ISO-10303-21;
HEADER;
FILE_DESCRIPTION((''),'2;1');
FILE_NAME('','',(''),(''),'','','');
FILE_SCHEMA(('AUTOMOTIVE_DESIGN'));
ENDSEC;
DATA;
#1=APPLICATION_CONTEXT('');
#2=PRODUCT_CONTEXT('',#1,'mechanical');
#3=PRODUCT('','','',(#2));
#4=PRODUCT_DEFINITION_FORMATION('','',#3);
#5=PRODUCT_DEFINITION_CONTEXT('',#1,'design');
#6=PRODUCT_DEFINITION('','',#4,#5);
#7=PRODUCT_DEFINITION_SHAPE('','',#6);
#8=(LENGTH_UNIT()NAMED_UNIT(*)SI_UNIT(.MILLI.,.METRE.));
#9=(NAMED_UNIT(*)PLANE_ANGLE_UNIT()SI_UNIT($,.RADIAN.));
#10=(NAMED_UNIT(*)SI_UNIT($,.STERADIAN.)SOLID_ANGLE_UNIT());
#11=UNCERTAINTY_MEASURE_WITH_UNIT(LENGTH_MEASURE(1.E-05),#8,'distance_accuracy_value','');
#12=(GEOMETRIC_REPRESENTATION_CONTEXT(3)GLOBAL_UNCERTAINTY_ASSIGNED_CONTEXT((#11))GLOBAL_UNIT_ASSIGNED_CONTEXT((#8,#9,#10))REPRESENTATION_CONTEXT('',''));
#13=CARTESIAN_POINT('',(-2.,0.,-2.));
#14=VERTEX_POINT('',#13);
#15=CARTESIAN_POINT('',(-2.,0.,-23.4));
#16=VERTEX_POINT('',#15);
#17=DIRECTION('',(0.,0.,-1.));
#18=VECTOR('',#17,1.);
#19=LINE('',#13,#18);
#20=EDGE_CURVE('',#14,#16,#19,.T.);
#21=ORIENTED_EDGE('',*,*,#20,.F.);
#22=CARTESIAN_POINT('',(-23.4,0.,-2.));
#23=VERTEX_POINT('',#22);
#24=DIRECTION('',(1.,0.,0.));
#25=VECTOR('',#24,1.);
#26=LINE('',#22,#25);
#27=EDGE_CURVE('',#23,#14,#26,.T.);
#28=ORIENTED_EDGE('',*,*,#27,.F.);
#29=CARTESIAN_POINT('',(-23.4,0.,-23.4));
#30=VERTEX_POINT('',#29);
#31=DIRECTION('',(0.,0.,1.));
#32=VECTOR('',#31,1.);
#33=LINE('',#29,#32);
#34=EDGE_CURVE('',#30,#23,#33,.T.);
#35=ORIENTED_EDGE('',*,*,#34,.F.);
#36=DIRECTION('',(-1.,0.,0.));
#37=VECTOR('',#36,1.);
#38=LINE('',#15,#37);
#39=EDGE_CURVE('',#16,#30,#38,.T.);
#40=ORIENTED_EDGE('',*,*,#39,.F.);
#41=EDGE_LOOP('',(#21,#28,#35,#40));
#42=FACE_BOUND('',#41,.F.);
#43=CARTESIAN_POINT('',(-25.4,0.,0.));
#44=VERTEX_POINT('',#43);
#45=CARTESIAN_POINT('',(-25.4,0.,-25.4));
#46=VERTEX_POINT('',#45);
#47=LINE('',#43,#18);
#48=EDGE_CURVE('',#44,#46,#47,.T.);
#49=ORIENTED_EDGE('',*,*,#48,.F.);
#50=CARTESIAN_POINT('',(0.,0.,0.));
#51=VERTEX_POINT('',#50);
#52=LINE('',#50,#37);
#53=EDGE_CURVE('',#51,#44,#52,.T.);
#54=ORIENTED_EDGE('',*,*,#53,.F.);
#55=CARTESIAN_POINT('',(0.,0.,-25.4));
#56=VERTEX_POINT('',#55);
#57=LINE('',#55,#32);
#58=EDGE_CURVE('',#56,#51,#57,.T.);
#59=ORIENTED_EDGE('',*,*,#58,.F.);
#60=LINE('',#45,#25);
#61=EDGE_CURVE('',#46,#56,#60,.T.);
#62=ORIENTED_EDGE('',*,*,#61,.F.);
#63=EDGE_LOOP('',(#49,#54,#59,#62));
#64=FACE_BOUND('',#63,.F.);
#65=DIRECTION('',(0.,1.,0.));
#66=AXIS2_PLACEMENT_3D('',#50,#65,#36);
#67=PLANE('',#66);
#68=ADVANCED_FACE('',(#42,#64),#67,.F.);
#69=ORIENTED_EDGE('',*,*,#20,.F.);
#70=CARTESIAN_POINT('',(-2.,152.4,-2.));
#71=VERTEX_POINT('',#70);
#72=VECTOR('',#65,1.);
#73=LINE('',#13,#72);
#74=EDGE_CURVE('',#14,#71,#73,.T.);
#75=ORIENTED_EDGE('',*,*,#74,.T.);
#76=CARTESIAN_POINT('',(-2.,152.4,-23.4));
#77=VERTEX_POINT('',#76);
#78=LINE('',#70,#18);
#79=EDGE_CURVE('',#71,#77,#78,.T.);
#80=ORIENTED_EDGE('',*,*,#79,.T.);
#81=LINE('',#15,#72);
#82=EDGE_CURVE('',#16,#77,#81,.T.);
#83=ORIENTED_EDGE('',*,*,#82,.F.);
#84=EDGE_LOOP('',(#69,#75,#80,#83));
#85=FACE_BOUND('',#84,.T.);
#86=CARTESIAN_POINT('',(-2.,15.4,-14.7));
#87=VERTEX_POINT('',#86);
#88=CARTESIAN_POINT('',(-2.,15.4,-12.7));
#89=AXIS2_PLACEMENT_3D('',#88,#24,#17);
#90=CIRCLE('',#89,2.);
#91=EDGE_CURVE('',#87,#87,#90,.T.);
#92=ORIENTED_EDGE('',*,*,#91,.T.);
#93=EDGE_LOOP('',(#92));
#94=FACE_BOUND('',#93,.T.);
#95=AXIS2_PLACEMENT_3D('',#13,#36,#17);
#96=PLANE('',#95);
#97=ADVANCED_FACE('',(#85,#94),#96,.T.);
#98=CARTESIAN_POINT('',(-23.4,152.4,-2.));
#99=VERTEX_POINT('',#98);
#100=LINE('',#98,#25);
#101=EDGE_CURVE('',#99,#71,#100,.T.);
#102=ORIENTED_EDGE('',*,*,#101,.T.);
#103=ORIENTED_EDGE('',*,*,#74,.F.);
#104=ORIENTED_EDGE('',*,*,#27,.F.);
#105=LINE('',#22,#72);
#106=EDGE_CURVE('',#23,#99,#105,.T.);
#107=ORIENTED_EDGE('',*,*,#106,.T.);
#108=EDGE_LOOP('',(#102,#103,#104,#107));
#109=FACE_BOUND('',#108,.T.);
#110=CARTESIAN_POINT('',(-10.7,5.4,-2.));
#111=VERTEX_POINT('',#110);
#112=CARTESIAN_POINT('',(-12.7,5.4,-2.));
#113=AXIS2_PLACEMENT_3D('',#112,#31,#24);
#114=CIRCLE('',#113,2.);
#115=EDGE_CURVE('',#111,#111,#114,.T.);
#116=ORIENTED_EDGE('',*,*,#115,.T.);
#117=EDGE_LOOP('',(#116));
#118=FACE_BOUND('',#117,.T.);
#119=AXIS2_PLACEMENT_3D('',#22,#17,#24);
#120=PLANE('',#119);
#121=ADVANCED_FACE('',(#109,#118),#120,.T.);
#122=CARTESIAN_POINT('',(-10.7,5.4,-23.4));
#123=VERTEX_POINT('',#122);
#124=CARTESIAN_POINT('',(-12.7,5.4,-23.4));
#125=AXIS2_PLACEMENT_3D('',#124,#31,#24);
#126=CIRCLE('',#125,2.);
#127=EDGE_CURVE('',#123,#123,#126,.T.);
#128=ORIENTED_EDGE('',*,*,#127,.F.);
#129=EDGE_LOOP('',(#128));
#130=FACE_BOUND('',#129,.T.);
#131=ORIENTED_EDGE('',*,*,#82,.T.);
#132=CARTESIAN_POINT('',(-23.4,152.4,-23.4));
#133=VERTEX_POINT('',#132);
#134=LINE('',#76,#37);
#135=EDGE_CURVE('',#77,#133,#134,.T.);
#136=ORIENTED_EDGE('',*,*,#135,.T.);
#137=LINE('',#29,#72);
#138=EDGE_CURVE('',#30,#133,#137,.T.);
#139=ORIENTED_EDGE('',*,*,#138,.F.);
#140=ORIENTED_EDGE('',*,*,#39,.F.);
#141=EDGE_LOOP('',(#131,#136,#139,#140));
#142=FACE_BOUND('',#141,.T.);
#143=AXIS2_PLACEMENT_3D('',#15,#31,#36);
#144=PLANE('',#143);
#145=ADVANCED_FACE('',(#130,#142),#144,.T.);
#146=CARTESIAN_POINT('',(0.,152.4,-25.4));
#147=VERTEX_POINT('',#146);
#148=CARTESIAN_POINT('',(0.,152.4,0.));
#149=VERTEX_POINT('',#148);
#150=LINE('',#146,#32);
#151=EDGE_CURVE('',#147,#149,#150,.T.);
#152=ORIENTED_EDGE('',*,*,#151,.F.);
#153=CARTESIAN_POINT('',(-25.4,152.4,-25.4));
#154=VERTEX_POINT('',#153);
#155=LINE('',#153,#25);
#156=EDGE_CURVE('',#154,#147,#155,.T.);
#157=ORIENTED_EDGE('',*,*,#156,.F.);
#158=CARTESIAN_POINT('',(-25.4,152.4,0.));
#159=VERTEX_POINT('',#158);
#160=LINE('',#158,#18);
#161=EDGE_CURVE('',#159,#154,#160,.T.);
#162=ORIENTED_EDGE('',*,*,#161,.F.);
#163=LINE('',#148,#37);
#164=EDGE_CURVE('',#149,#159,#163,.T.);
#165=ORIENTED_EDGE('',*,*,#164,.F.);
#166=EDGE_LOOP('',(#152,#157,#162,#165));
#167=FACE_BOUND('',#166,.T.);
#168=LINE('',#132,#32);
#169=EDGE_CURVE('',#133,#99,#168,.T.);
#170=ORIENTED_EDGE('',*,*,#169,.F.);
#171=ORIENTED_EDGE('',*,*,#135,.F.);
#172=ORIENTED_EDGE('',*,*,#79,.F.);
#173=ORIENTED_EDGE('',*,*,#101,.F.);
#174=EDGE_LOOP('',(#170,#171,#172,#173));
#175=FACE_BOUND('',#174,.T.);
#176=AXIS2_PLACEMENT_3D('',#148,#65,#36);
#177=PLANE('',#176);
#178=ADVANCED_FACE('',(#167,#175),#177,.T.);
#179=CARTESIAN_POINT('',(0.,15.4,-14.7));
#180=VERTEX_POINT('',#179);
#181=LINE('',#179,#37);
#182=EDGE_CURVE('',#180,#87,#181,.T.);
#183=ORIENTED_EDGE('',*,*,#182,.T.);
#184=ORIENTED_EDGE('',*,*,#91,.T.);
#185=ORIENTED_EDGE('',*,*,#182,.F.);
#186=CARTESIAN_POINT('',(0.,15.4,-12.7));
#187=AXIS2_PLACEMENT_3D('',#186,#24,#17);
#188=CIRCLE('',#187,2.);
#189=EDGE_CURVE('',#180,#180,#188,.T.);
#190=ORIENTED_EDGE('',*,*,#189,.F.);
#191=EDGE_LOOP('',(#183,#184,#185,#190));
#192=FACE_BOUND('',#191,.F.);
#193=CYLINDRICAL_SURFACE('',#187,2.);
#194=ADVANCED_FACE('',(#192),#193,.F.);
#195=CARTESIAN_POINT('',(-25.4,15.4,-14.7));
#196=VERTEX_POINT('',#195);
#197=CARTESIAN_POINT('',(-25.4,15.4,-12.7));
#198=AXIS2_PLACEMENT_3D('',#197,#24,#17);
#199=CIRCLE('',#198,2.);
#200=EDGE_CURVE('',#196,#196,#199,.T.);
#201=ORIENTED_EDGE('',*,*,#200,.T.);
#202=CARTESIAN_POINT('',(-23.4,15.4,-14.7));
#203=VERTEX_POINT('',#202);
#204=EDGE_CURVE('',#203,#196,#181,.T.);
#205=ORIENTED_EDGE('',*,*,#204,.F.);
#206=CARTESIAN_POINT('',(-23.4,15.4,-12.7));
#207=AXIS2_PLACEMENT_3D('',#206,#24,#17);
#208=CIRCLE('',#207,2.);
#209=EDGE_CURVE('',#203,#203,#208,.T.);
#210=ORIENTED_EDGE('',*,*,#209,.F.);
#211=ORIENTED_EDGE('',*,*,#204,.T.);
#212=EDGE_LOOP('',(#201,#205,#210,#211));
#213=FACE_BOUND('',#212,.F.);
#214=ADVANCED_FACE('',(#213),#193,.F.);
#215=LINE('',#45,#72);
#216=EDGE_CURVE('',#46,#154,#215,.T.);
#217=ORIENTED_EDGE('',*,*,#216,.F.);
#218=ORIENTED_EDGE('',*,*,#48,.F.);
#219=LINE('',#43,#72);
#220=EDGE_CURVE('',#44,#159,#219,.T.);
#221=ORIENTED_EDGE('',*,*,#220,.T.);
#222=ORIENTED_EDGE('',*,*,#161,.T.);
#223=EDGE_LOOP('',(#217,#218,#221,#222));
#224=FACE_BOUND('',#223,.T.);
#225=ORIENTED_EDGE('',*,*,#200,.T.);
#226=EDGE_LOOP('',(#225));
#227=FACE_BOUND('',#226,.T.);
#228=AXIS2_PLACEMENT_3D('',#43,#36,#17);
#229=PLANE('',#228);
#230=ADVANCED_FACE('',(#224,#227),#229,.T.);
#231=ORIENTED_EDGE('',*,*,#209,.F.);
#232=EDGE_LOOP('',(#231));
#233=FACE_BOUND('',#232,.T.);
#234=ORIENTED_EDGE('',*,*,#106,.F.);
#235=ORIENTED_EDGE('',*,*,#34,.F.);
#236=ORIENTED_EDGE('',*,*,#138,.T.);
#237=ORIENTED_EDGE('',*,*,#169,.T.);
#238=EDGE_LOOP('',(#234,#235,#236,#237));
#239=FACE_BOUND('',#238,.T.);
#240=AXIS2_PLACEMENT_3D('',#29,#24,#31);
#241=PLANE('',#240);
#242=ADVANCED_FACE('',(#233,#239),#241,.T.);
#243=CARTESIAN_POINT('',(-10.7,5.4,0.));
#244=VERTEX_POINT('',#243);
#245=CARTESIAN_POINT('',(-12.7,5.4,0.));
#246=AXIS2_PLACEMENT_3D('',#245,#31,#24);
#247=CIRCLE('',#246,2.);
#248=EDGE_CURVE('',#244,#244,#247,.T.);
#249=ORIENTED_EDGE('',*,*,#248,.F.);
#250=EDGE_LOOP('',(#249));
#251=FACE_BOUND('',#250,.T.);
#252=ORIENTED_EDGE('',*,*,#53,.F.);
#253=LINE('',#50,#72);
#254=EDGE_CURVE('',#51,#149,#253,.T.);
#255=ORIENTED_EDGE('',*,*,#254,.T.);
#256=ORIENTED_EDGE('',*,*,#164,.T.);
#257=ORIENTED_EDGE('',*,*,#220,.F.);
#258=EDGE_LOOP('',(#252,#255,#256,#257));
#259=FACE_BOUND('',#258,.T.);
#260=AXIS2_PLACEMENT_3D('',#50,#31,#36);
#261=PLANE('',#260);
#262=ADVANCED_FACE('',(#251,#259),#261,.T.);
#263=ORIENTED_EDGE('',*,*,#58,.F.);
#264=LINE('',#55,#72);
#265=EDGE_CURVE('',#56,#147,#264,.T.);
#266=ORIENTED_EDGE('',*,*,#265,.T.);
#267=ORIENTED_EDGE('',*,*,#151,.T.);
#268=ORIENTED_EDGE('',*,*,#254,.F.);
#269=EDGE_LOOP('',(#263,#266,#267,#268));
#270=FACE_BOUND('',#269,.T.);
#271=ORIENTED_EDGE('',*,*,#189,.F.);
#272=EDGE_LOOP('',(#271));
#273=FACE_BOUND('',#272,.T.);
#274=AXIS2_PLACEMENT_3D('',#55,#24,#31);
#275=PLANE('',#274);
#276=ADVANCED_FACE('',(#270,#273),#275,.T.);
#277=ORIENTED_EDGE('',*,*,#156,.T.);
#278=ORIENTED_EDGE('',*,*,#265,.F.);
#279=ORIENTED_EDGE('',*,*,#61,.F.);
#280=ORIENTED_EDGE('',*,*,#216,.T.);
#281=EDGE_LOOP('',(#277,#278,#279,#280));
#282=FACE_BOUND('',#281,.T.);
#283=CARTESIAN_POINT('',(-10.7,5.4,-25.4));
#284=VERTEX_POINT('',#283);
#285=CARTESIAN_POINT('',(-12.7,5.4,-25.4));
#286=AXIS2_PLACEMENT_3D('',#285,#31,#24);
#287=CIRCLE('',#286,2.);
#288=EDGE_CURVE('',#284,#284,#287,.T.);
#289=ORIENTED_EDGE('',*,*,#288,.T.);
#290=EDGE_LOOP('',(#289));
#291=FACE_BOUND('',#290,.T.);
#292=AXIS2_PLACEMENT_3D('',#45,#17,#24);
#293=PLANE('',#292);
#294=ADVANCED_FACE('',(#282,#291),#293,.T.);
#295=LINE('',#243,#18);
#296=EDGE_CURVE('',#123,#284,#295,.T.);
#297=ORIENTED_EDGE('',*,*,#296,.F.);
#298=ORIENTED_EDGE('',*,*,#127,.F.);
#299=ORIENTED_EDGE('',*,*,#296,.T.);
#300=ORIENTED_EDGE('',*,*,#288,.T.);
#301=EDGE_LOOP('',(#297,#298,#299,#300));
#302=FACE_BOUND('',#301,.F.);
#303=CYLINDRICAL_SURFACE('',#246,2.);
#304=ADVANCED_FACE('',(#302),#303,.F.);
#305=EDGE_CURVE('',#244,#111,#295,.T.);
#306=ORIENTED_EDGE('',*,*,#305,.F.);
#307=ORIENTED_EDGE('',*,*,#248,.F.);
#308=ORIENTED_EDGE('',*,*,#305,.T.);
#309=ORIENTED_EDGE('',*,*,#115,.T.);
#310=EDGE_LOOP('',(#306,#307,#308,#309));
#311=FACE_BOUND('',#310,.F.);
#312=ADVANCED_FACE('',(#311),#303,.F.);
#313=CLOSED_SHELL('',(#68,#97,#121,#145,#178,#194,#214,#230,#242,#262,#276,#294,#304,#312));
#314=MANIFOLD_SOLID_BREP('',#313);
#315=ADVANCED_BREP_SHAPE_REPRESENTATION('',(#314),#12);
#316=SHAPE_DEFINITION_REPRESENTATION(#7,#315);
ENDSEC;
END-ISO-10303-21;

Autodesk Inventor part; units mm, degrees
ref_plane "YZ Plane" through (0, 0, 0) normal (1, 0, 0) x (0, 1, 0)
ref_plane "XZ Plane" through (0, 0, 0) normal (0, 1, 0) x (-1, 0, 0)
ref_plane "XY Plane" through (0, 0, 0) normal (0, 0, 1) x (1, 0, 0)
sketch "Sketch1" plane through (0, 0, 0) normal (0, 1, 0) x (-1, 0, 0)
  line L0 (0, 0) -> (25.4, 0)
  line L1 (25.4, 0) -> (25.4, -25.4)
  line L2 (25.4, -25.4) -> (0, -25.4)
  line L3 (0, -25.4) -> (0, 0)
  line L4 (23.4, -23.4) -> (23.4, -2)
  line L5 (23.4, -2) -> (2, -2)
  line L6 (2, -2) -> (2, -23.4)
  line L7 (2, -23.4) -> (23.4, -23.4)
  dimension "d0" = 25.4
  dimension "d1" = 25.4
  dimension "d2" = 2
extrude "Extrusion1" add sketch "Sketch1" along normal blind 152.4
sketch "Sketch2" plane through (-25.4, 0, 0) normal (0, 0, 1) x (1, 0, 0)
  line L0 (25.4, 0) -> (0, 0) projected
  circle A0 centre (12.7, 5.4) radius 2
  dimension "d6" = 4
extrude "Extrusion2" cut sketch "Sketch2" against normal through all
sketch "Sketch3" plane through (0, 0, 0) normal (1, 0, 0) x (0, 0, -1)
  line L0 (0, 0) -> (25.4, 0) projected
  circle A0 centre (12.7, 15.4) radius 2
  dimension "d10" = 4
extrude "Extrusion3" cut sketch "Sketch3" against normal through all
properties part number "Metal_Bone"
